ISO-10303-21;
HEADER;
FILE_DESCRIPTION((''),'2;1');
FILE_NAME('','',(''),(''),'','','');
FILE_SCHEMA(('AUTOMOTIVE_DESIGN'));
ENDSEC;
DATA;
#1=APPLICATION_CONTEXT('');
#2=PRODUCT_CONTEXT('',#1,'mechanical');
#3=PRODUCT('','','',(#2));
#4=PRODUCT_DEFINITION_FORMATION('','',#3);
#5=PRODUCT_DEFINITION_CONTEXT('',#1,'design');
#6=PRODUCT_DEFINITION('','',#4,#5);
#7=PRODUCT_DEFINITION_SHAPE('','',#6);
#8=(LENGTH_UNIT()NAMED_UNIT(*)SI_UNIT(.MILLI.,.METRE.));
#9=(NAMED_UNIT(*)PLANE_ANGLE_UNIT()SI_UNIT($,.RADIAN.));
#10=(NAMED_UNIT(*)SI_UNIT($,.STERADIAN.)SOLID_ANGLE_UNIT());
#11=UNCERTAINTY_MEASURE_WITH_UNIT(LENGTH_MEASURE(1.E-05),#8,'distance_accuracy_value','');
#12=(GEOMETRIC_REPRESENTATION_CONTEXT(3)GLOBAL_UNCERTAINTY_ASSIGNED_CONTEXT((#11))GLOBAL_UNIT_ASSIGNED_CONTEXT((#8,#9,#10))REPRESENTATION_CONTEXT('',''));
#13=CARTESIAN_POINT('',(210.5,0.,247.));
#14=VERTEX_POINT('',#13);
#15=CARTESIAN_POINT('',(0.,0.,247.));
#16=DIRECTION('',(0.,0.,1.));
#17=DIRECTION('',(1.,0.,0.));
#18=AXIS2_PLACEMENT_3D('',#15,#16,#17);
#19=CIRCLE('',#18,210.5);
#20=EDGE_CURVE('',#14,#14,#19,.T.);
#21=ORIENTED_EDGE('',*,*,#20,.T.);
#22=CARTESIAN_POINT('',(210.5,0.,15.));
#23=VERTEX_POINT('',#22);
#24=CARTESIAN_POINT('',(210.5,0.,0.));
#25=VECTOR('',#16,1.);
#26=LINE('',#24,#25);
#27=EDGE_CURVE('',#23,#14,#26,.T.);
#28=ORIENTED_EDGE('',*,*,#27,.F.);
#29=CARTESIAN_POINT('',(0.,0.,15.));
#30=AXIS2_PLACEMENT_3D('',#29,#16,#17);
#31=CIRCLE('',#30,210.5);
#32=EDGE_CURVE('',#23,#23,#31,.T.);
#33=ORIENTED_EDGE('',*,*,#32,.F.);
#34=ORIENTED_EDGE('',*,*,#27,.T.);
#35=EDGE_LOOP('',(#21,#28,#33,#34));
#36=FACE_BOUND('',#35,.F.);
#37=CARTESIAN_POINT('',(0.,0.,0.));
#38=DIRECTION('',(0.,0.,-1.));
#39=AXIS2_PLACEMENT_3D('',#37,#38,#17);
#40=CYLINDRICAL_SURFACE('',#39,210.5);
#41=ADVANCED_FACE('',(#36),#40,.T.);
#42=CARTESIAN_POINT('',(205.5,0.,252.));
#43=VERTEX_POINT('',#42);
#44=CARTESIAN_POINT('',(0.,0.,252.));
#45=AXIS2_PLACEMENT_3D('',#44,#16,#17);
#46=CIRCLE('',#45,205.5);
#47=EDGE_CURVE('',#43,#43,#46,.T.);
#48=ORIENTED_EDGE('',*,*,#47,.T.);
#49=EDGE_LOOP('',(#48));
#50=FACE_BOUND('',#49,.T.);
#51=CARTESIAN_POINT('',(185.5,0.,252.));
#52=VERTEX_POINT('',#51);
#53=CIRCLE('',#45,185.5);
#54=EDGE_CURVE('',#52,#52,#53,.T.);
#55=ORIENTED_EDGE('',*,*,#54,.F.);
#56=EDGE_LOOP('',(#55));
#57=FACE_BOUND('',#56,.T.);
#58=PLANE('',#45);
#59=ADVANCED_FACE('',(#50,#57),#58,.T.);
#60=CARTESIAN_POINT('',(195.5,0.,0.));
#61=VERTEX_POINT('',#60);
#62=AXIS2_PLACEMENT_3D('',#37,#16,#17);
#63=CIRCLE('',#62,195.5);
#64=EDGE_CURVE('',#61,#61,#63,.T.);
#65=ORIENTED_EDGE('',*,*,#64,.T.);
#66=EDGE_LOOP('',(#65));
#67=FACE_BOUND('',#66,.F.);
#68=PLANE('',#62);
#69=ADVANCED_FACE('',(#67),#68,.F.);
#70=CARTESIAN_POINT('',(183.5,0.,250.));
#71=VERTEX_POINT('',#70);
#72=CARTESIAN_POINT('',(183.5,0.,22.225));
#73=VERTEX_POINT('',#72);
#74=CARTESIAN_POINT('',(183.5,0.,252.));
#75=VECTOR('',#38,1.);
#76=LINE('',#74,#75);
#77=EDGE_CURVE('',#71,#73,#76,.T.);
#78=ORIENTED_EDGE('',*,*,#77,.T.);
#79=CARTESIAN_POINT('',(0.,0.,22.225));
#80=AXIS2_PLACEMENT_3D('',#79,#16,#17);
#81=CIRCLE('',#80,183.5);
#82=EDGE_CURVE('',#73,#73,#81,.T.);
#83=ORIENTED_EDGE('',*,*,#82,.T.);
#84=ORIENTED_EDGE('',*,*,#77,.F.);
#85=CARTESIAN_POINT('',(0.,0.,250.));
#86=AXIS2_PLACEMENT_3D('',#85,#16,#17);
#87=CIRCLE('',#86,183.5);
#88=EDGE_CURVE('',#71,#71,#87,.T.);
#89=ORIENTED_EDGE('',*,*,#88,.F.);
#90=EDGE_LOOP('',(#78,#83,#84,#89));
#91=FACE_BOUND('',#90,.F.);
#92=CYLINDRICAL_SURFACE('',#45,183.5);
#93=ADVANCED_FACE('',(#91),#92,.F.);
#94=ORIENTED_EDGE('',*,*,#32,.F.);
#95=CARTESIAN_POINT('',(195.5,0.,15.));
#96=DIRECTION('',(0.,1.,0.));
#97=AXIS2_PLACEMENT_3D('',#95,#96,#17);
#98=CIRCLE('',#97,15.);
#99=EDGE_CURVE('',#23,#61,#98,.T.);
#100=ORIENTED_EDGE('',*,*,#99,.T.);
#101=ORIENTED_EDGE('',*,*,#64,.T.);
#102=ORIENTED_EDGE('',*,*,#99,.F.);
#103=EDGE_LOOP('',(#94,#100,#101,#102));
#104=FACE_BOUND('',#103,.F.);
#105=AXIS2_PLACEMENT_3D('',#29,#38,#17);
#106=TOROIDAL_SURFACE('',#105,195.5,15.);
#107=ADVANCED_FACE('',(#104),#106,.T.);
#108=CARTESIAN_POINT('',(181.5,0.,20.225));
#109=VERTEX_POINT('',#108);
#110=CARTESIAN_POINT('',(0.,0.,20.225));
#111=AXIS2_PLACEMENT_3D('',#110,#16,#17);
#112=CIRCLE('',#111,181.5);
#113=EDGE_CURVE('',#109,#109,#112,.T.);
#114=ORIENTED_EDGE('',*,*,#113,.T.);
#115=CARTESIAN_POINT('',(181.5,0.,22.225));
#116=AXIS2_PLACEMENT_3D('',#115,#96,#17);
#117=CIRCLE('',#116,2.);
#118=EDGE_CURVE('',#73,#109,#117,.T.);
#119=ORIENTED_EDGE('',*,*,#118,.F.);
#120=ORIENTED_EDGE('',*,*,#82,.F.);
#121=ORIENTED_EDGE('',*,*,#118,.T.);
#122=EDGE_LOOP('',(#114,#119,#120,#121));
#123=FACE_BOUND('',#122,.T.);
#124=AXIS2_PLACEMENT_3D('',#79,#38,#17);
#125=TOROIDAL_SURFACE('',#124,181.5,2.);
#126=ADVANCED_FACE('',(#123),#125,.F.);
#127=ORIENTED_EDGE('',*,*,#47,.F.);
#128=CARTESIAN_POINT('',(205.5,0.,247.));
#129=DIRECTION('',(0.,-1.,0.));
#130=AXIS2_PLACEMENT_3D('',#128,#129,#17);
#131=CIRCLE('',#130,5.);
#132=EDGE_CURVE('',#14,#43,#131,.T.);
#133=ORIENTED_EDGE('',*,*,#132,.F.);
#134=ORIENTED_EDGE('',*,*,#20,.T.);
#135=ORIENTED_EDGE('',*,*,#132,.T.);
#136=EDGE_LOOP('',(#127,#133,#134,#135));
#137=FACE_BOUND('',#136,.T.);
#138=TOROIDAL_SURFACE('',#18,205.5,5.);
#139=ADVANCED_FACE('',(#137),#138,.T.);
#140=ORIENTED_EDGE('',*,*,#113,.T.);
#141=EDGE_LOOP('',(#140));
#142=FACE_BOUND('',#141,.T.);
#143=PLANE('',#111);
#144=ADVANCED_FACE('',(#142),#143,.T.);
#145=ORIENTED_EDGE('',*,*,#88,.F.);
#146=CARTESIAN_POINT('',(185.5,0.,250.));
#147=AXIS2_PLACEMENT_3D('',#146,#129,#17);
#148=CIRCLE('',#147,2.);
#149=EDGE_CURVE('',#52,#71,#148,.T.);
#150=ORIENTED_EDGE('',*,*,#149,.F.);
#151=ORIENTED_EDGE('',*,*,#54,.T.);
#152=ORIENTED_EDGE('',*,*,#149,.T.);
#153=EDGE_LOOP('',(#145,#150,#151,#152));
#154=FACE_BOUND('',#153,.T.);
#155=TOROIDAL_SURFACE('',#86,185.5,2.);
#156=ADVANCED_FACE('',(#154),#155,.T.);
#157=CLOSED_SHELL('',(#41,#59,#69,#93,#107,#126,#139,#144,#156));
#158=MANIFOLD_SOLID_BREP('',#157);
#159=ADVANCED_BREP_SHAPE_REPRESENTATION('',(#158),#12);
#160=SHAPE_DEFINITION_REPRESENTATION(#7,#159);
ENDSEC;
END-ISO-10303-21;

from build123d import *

# Parameters (mm, degrees)
F0_R     = 210.5
F1_DEPTH = 252
F2_R     = 183.5
F3_DEPTH = 231.775
F4_R     = 15
F5_R     = 5
F6_R     = 2


with BuildPart() as f1:
    # F0 (on Top) → F1 (new body)
    with BuildSketch(Plane.XY):
        Circle(F0_R)
    extrude(amount=F1_DEPTH)

    # F2 (on face) → F3 (cut)
    with BuildSketch(Plane.XY.offset(252)):
        Circle(F2_R)
    extrude(amount=-F3_DEPTH, mode=Mode.SUBTRACT)

    # F4
    f4_edges = [f1.edges().sort_by_distance(p)[0] for p in [
        (-210.5, 0, 0),
    ]]
    fillet(f4_edges, radius=F4_R)

    # F5
    f5_edges = [f1.edges().sort_by_distance(p)[0] for p in [
        (-210.5, 0, 252),
    ]]
    fillet(f5_edges, radius=F5_R)

    # F6
    f6_edges = [f1.edges().sort_by_distance(p)[0] for p in [
        (-183.5, 0, 252),
        (-183.5, 0, 20.225),
    ]]
    fillet(f6_edges, radius=F6_R)


solid = f1.part
